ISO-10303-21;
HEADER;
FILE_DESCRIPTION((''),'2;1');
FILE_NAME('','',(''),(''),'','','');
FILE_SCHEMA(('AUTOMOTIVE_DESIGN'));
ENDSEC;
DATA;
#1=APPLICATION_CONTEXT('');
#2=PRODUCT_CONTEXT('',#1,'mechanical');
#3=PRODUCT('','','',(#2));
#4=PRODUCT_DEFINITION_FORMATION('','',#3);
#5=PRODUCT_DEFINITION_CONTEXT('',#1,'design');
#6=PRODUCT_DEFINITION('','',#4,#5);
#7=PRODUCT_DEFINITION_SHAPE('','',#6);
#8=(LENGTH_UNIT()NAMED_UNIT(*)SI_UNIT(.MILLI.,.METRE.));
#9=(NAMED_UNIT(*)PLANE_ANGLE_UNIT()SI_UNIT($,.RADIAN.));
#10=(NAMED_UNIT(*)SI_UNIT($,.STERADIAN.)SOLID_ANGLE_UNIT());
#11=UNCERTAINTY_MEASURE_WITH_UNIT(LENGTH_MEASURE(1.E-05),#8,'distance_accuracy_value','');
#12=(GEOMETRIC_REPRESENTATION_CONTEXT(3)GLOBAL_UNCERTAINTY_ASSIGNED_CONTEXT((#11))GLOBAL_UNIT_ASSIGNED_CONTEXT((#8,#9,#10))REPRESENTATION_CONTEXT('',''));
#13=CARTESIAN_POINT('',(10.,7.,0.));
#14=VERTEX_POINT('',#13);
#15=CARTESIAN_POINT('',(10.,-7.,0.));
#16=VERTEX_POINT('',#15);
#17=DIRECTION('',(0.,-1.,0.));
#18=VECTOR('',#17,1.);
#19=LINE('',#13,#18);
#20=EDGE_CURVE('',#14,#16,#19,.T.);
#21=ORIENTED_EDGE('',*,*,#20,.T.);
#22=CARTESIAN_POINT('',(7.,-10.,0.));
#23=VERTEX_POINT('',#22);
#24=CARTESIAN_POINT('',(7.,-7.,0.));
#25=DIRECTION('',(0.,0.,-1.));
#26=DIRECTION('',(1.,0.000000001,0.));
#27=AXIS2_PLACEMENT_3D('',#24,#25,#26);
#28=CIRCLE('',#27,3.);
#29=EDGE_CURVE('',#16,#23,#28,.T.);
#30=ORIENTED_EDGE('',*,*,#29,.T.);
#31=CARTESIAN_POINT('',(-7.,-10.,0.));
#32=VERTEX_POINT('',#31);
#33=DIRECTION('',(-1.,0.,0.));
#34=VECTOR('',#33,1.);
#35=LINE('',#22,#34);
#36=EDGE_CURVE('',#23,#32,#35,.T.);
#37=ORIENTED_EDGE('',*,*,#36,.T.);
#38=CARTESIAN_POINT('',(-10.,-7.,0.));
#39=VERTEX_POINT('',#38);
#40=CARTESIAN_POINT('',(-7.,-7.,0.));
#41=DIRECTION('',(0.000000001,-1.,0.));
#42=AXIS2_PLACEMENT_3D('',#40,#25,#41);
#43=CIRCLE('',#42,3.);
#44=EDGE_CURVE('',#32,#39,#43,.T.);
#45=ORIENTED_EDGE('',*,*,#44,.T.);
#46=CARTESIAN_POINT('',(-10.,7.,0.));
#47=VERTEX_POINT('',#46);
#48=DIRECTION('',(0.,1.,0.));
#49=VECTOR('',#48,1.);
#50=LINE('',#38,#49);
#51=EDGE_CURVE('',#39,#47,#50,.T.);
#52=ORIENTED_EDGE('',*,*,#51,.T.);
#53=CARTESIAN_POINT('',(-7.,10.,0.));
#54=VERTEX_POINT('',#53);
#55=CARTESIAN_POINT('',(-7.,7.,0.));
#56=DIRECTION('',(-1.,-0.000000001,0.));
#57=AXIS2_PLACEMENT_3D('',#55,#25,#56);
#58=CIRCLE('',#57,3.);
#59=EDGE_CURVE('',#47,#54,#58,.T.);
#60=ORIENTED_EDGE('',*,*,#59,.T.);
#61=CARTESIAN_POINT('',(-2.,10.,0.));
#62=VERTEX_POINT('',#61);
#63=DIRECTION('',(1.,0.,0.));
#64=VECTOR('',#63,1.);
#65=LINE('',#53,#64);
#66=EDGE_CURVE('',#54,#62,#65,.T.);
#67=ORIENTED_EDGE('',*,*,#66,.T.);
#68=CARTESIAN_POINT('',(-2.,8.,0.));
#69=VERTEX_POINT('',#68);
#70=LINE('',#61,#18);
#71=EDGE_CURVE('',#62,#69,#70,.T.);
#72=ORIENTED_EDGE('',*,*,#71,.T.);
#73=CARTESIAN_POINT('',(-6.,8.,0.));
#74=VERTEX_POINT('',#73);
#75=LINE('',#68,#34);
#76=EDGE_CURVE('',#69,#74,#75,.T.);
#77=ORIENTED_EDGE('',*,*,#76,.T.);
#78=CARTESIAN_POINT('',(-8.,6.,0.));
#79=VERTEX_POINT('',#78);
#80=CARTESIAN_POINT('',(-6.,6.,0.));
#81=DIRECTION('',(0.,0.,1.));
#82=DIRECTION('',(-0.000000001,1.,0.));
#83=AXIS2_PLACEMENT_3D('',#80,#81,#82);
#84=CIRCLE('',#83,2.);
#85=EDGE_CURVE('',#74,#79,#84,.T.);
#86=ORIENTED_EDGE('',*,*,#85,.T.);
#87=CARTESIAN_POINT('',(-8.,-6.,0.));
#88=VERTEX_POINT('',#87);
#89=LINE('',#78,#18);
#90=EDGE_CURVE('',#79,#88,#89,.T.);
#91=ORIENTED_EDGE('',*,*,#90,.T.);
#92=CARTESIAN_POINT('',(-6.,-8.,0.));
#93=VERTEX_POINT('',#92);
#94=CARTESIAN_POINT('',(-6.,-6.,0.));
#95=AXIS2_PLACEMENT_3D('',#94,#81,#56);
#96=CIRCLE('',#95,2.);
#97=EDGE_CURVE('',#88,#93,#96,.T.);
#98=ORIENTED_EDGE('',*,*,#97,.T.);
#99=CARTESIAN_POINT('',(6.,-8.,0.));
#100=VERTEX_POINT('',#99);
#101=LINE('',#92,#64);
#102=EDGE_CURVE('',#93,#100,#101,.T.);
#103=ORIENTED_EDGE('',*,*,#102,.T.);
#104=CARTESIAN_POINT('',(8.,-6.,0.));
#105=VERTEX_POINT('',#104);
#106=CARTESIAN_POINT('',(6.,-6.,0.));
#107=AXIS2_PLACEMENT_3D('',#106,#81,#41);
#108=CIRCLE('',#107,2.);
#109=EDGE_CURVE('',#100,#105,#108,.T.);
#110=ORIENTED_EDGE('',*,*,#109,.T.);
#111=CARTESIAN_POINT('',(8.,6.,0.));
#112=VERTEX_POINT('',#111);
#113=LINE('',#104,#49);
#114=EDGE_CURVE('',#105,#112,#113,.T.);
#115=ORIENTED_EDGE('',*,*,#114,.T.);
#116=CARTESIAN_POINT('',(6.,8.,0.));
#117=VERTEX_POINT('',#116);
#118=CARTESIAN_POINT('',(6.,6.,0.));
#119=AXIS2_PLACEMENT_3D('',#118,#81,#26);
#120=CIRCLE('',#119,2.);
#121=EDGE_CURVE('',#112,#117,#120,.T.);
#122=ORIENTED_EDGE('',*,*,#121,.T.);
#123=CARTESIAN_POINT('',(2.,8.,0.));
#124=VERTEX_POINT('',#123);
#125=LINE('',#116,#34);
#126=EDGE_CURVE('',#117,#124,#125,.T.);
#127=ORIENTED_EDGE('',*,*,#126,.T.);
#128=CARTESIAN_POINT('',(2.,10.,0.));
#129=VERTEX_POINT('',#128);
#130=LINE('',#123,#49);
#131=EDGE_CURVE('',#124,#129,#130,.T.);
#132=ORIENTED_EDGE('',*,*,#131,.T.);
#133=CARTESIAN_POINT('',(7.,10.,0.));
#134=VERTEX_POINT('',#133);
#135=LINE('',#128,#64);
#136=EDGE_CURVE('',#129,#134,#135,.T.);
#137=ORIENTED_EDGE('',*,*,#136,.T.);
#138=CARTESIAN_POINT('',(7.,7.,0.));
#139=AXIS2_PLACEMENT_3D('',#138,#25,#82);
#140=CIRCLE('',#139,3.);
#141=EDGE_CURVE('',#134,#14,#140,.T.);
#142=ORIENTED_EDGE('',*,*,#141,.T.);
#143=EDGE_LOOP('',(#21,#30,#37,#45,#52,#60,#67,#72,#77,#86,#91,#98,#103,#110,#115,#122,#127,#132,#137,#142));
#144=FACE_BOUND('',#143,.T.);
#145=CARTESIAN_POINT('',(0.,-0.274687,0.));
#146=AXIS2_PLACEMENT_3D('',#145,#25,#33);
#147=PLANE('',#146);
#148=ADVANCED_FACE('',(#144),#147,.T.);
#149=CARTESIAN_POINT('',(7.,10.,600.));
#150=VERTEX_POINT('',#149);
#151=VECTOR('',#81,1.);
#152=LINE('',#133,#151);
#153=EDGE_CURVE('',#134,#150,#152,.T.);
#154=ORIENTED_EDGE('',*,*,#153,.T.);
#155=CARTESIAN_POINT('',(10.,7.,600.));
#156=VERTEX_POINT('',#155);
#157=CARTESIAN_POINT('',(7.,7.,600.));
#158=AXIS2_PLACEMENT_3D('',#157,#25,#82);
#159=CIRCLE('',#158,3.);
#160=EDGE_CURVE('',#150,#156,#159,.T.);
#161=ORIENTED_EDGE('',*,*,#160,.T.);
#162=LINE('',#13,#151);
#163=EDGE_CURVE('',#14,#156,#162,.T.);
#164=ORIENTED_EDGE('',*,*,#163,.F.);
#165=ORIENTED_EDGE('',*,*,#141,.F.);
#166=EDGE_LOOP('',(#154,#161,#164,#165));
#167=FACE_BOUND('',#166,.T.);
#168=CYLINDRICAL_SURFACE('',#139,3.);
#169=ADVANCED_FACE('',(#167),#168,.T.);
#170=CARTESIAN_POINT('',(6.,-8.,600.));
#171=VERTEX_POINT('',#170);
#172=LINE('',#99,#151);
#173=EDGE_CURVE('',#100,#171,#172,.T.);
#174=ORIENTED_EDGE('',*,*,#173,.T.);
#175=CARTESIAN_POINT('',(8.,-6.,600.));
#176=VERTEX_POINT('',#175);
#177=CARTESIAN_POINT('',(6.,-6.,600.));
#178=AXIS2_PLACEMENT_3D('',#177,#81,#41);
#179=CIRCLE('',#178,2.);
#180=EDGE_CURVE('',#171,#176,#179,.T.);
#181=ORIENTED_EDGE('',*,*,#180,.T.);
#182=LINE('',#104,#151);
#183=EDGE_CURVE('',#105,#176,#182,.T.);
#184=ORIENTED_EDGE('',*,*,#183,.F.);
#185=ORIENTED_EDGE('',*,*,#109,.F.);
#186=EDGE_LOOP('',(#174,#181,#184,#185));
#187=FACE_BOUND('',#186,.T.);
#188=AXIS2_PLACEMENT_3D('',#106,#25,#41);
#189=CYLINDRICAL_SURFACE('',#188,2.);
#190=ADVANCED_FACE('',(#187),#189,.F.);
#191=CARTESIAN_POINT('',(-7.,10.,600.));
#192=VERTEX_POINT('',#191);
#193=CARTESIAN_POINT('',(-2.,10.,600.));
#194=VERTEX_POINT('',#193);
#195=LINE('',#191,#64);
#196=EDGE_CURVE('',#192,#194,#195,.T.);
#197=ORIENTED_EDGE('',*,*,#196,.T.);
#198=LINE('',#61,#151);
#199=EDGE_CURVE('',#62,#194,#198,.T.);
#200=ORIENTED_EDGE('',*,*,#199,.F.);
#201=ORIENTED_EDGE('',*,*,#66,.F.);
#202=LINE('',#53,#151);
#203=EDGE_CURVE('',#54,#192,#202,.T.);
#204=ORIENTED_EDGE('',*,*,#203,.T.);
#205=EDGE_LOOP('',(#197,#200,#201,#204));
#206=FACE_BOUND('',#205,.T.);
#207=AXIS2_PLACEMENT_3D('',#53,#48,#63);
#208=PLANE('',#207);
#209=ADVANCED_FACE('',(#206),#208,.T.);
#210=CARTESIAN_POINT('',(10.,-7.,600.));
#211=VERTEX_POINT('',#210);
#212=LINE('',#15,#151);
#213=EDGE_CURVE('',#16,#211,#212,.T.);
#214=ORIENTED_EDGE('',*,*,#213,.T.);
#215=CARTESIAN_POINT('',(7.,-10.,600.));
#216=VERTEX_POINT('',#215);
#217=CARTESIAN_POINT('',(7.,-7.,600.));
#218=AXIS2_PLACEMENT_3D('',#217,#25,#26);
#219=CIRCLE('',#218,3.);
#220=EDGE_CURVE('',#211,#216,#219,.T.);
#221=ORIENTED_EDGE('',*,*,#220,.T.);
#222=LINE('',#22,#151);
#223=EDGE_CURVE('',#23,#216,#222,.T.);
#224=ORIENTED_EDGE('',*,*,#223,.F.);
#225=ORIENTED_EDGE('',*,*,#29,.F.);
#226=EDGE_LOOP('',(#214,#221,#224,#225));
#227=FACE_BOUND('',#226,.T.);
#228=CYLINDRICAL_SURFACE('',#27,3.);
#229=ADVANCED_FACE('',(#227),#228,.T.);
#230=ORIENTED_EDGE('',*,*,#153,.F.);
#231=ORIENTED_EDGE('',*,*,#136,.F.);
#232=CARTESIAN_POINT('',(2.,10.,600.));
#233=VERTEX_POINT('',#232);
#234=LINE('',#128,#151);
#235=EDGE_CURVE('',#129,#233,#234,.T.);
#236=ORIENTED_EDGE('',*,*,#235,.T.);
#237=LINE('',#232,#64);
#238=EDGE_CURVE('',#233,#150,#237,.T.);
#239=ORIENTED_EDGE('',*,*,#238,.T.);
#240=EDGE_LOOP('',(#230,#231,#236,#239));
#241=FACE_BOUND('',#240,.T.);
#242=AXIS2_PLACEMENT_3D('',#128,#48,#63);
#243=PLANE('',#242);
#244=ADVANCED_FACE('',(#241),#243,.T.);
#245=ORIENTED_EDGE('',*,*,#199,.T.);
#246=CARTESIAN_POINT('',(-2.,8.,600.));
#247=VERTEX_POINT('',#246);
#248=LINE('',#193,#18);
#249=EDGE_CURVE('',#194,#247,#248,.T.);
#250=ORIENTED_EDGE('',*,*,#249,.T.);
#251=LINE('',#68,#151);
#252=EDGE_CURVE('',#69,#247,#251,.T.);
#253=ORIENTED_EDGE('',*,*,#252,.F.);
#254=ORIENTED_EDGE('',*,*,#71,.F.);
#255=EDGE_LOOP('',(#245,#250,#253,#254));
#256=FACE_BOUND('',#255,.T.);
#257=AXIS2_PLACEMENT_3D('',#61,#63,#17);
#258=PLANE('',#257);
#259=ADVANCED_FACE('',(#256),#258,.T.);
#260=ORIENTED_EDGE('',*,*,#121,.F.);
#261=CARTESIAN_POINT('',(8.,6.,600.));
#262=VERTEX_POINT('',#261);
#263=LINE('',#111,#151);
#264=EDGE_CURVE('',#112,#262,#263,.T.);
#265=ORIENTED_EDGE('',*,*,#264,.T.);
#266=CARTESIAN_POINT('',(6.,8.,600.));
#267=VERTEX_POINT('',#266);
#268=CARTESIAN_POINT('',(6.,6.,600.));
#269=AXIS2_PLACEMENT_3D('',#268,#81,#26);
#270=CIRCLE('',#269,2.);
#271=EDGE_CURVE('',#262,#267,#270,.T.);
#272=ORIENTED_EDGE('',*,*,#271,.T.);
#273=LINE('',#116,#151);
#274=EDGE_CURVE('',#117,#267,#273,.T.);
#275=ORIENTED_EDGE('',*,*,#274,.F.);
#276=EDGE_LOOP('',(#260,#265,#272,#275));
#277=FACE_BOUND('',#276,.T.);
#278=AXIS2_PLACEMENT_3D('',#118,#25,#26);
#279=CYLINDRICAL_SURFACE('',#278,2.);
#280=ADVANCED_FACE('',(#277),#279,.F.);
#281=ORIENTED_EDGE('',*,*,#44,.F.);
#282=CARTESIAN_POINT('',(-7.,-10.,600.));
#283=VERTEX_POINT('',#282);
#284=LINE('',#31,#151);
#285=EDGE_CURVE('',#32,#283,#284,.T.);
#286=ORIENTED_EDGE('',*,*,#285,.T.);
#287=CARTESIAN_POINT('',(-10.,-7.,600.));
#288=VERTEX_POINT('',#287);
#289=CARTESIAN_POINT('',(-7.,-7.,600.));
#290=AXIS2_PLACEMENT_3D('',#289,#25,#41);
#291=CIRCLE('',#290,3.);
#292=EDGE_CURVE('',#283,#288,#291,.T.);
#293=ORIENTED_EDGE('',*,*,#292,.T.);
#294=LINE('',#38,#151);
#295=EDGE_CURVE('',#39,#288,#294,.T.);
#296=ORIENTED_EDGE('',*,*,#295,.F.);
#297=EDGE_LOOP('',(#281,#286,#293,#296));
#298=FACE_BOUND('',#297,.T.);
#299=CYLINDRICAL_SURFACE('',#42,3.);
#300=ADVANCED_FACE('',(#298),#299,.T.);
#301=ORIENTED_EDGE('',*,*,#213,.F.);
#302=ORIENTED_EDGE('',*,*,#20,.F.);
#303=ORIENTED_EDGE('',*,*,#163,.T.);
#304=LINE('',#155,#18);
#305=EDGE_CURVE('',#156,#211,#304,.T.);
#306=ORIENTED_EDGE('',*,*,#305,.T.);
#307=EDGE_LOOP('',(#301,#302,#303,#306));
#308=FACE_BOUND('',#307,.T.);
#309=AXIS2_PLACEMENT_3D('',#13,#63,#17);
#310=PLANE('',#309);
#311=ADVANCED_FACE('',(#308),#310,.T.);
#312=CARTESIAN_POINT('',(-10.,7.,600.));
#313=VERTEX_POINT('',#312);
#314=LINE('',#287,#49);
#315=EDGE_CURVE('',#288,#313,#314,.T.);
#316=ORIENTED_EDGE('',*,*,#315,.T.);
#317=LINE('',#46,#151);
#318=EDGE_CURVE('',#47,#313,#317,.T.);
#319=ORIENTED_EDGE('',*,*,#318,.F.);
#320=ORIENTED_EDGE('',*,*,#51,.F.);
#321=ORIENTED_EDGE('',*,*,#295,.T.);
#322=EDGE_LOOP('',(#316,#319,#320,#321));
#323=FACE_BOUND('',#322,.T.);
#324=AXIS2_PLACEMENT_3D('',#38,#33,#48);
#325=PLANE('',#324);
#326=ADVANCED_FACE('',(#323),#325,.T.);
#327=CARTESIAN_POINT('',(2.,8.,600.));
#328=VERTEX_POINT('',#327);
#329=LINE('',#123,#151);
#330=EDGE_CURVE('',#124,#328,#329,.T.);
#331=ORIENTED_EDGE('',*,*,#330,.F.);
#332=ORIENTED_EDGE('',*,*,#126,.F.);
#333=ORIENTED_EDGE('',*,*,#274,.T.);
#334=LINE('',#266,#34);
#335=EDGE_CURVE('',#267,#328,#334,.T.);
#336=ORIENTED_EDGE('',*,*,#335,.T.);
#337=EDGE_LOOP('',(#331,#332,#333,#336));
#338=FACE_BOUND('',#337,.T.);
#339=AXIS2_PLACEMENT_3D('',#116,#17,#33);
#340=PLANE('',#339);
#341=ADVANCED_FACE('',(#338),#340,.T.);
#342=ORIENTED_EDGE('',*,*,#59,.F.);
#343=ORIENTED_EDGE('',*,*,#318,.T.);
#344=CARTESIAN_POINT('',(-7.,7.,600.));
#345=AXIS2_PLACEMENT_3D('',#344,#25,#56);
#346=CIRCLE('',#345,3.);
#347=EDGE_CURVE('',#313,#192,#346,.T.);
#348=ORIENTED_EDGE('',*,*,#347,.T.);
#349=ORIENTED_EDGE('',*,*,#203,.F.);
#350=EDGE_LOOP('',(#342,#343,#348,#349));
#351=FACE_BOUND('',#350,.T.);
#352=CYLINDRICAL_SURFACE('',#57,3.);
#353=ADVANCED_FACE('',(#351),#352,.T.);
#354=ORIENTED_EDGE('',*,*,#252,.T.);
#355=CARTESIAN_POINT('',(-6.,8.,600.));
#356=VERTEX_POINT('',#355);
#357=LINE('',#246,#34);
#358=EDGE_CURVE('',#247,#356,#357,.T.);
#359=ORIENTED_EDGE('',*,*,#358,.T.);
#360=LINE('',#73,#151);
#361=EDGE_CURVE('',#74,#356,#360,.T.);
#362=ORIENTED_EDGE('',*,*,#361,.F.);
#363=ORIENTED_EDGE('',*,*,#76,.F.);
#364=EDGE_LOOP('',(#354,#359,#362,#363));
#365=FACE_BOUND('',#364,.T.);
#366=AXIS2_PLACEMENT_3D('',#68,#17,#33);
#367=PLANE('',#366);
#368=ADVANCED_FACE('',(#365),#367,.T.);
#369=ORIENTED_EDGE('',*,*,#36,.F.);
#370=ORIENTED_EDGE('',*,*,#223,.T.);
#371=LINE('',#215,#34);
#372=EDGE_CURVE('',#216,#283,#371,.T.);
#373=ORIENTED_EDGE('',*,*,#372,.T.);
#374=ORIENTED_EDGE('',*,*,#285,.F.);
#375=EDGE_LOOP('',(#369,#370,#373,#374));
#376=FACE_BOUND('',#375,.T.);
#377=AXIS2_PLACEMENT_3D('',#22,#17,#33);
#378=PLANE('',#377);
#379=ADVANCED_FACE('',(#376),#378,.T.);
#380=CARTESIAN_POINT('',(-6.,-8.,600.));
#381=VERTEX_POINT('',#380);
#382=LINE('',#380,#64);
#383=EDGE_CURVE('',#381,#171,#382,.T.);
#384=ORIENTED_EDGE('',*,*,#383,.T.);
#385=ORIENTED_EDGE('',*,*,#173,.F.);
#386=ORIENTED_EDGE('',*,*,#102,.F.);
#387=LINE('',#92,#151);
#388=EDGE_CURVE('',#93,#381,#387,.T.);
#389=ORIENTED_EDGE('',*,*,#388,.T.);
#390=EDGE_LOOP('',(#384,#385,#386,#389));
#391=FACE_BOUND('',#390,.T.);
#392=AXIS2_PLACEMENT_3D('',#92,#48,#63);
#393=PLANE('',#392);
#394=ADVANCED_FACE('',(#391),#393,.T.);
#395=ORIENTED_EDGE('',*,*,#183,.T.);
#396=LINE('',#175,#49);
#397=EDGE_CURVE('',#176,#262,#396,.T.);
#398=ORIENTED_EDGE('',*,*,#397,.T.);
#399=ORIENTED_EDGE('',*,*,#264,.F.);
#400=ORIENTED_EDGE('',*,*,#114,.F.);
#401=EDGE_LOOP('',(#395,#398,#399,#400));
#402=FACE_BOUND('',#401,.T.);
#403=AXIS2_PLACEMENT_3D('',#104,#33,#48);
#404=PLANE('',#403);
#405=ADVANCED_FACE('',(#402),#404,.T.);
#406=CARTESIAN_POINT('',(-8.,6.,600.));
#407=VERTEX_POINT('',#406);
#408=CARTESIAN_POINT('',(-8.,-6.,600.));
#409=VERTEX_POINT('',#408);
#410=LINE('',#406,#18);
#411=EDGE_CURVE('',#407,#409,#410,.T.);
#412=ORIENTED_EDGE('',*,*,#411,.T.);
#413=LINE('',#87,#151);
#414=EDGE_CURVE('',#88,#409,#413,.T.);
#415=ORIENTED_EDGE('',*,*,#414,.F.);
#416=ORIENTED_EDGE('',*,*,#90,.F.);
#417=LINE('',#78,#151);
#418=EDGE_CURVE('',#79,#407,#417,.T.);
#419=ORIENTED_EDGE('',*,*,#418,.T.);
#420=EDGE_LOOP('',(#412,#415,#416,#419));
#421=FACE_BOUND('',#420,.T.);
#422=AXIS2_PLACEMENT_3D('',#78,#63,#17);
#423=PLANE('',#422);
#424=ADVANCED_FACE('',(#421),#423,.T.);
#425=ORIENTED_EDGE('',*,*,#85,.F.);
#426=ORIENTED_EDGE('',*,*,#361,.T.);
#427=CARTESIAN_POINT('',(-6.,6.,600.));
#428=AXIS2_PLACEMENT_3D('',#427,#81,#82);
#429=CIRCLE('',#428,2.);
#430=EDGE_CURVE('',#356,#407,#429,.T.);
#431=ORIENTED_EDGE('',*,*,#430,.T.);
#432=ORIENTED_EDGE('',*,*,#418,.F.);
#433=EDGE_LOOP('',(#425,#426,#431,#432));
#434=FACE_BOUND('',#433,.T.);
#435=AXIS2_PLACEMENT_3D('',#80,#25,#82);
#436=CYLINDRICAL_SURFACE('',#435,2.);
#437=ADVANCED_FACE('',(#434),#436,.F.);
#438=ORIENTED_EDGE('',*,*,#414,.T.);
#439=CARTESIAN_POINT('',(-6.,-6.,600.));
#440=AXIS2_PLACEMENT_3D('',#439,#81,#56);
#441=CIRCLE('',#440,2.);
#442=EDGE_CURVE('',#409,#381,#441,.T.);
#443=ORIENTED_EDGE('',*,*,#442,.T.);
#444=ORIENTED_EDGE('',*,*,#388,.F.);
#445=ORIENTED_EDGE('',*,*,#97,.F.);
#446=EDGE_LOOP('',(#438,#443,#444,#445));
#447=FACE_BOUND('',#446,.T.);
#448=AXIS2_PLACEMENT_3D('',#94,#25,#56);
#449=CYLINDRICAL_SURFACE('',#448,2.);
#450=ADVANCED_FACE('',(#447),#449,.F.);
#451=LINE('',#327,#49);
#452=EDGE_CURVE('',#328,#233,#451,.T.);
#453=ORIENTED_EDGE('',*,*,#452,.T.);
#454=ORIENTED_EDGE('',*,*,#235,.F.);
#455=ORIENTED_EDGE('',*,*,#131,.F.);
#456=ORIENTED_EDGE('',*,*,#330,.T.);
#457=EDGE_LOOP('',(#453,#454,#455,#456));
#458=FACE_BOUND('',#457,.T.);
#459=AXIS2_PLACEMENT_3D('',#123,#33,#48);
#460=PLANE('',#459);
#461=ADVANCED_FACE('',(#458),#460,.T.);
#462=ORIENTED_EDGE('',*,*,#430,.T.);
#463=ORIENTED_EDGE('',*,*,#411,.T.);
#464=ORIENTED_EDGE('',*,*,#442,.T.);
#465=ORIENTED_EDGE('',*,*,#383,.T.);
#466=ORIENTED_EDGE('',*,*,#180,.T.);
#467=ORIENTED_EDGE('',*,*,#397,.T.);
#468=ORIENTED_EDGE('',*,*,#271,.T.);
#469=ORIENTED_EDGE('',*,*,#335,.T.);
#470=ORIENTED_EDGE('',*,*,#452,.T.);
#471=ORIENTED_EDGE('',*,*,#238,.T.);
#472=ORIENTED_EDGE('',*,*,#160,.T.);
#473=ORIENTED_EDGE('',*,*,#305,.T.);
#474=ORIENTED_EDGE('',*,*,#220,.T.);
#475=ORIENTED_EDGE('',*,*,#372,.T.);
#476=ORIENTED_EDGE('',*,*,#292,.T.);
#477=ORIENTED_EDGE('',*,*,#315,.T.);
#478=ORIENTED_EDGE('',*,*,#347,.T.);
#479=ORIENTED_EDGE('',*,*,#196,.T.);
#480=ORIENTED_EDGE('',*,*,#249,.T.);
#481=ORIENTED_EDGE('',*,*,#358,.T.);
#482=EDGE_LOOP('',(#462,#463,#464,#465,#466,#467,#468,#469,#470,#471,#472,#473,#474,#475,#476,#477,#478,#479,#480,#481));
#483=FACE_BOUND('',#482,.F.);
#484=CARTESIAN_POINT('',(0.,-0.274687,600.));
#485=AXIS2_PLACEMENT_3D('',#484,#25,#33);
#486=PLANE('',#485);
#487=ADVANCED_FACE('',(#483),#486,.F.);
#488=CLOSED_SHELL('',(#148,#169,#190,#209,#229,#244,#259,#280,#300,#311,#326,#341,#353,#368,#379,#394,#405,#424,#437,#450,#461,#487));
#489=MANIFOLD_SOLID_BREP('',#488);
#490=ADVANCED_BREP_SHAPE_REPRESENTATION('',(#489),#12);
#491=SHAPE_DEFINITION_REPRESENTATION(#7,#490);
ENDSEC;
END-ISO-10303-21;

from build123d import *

# Parameters (mm, degrees)
DODANIE_WYCI_GNI_CIE1_DEPTH = 600


with BuildPart() as part:
    # Szkic1 → Dodanie-wyciągnięcie1 (new body)
    with BuildSketch(Plane.XY):
        with BuildLine():
            Line((-10, -7), (-10, 7))
            ThreePointArc((-10, 7), (-9.121320344, 9.121320344), (-7, 10))
            Line((-7, 10), (-2, 10))
            Line((-2, 10), (-2, 8))
            Line((-2, 8), (-6, 8))
            ThreePointArc((-6, 8), (-7.414213562, 7.414213562), (-8, 6))
            Line((-8, 6), (-8, -6))
            ThreePointArc((-8, -6), (-7.414213562, -7.414213562), (-6, -8))
            Line((-6, -8), (6, -8))
            ThreePointArc((6, -8), (7.414213562, -7.414213562), (8, -6))
            Line((8, -6), (8, 6))
            ThreePointArc((8, 6), (7.414213562, 7.414213562), (6, 8))
            Line((6, 8), (2, 8))
            Line((2, 8), (2, 10))
            Line((2, 10), (7, 10))
            ThreePointArc((7, 10), (9.121320344, 9.121320344), (10, 7))
            Line((10, 7), (10, -7))
            ThreePointArc((10, -7), (9.121320344, -9.121320344), (7, -10))
            Line((7, -10), (-7, -10))
            ThreePointArc((-7, -10), (-9.121320344, -9.121320344), (-10, -7))
        make_face()
    extrude(amount=DODANIE_WYCI_GNI_CIE1_DEPTH)


solid = part.part
